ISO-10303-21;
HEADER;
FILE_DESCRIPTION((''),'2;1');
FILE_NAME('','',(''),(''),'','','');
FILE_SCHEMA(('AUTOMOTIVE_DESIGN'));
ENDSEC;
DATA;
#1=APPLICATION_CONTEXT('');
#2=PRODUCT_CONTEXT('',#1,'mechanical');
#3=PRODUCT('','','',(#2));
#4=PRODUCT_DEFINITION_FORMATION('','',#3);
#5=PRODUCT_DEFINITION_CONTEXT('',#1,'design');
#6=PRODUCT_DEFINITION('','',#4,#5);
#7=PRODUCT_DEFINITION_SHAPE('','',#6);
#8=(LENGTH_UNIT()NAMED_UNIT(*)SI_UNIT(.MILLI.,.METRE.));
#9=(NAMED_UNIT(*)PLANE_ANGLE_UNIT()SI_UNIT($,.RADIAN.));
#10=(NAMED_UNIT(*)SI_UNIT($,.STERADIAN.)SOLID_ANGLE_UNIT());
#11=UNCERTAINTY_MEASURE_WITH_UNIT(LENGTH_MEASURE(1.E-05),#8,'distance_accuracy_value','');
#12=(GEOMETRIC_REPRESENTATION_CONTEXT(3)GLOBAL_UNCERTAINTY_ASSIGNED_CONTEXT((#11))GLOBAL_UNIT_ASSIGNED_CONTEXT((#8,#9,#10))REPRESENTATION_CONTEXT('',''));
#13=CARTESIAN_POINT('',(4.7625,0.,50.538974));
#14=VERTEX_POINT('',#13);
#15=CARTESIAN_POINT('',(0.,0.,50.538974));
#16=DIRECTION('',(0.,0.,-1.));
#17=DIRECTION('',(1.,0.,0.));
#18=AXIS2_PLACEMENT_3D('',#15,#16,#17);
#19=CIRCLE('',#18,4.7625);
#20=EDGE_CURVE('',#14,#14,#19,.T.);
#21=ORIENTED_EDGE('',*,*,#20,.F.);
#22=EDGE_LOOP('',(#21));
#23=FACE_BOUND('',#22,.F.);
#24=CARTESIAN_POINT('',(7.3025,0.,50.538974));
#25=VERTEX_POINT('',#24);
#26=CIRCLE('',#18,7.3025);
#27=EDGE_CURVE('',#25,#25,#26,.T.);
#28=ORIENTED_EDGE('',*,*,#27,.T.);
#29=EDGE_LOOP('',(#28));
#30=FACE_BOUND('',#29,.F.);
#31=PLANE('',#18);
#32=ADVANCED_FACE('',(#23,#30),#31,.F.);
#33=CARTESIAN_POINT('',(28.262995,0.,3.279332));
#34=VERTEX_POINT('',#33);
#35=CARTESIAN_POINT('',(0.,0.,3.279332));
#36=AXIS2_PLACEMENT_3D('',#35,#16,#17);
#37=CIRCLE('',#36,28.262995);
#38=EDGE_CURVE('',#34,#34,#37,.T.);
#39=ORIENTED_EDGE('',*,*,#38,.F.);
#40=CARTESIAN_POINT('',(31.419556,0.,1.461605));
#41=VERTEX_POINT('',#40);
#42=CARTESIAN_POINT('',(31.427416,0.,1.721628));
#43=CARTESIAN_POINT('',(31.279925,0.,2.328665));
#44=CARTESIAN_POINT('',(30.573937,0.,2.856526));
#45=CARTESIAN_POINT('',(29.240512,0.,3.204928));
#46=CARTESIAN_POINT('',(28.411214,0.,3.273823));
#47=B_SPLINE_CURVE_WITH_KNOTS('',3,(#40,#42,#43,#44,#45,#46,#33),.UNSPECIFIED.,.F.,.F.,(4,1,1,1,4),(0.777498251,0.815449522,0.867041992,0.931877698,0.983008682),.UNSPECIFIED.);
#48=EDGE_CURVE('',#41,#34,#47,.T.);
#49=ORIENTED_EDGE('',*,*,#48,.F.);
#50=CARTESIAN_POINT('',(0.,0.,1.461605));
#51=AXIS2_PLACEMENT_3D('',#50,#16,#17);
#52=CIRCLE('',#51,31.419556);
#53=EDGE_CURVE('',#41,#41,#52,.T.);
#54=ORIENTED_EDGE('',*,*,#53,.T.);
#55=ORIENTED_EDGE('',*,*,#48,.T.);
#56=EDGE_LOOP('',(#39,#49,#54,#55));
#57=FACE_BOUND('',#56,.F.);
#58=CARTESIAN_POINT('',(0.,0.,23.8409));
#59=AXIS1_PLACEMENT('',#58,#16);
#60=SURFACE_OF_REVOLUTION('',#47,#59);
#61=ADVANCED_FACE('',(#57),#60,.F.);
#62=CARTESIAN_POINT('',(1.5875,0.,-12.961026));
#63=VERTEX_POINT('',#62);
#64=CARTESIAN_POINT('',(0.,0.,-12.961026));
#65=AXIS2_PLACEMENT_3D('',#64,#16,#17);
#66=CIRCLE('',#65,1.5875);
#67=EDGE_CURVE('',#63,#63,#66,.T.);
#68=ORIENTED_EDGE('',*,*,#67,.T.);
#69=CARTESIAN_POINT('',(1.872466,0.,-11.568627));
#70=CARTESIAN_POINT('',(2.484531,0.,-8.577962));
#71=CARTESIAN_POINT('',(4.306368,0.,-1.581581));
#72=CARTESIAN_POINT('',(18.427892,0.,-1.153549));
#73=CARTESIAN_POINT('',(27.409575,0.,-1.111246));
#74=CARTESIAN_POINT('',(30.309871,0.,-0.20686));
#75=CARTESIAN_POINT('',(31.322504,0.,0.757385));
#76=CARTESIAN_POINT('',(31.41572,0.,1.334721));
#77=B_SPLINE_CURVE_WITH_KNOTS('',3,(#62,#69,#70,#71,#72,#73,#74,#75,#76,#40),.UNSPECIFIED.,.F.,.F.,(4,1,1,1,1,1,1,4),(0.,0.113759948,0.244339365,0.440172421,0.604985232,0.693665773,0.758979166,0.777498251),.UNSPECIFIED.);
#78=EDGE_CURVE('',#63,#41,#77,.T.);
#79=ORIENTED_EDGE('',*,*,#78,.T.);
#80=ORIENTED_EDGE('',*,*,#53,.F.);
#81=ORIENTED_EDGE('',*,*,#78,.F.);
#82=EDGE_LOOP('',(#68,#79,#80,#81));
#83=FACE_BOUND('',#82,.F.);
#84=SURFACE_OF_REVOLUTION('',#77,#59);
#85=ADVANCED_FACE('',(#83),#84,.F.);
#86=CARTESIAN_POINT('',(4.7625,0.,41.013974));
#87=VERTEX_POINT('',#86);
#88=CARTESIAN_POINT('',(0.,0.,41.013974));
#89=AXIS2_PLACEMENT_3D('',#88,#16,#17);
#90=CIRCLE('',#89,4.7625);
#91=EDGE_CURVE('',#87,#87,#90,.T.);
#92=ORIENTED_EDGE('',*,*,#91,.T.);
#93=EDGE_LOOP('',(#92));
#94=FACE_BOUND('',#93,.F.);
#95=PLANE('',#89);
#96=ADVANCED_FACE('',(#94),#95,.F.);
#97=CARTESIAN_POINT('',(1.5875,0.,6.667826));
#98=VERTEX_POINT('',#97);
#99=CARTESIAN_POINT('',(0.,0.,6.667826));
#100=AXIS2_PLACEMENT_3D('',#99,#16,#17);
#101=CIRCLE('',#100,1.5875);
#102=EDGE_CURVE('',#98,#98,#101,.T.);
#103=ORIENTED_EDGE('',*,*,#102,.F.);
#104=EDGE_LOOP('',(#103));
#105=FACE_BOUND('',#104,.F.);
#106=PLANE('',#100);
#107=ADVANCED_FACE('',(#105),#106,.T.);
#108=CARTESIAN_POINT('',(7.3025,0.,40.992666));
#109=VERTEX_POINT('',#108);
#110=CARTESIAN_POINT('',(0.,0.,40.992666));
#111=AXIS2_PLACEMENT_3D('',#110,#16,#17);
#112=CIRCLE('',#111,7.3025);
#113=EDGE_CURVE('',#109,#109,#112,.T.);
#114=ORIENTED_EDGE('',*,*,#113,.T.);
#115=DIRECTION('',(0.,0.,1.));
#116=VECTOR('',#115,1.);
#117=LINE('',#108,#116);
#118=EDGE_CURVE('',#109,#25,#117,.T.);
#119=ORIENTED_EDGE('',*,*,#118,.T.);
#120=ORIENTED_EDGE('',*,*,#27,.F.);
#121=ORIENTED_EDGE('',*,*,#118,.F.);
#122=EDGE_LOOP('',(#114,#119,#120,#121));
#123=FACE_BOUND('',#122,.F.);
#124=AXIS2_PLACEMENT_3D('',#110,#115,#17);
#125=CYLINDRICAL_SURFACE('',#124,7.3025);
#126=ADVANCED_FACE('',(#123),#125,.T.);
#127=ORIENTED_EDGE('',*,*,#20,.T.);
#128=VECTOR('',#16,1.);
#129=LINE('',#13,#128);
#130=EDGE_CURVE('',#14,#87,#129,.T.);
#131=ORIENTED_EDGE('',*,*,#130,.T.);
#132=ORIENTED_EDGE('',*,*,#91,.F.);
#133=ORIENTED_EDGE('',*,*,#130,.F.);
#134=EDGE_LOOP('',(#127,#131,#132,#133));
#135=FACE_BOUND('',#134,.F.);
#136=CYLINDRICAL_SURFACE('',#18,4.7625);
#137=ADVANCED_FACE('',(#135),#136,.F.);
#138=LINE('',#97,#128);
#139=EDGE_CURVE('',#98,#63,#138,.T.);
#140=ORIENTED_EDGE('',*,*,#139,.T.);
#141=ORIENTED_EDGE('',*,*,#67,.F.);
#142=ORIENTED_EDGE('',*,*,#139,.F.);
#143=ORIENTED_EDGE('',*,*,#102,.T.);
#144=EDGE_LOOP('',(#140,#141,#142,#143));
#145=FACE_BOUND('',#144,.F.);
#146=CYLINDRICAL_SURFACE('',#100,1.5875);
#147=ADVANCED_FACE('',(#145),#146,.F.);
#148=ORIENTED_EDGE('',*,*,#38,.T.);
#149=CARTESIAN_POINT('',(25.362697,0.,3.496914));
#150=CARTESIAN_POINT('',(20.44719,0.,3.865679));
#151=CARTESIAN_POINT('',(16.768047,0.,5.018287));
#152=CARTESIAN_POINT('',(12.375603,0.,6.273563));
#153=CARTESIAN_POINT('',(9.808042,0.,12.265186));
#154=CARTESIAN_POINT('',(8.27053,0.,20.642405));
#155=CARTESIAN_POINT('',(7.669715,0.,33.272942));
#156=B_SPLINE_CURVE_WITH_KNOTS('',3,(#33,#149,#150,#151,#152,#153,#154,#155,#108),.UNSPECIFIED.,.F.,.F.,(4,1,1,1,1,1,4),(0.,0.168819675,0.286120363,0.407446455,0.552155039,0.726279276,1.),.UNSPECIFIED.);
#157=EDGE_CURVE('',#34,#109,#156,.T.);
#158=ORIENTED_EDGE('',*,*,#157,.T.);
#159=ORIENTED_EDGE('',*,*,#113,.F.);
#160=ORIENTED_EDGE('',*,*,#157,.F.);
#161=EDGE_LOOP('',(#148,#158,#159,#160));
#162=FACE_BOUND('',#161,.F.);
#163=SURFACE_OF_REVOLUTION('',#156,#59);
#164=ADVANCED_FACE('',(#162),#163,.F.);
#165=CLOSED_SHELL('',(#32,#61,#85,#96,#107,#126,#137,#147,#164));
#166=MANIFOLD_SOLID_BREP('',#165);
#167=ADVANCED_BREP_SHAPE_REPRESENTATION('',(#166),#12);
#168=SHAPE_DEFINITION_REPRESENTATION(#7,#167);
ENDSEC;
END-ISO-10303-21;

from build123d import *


with BuildPart() as f1:
    # F0 (on Front) → F1 (revolve)
    with BuildSketch(Plane.XZ):
        with BuildLine():
            Line((1.5875, 6.667825859), (1.5875, -12.9610260137))
            add(Edge.make_bspline(
                [(1.5875, -12.9610260137), (1.8724662747, -11.5686269888), (2.4845312419, -8.5779619908), (4.3063683854, -1.5815812013), (18.4278924431, -1.1535487248), (27.4095754611, -1.111245668), (30.3098711883, -0.2068596228), (31.3225043371, 0.7573851032), (31.4157204905, 1.3347212449), (31.4195560348, 1.4616048976)],
                knots=[0, 0, 0, 0, 0.1137599478, 0.2443393653, 0.4401724208, 0.6049852319, 0.6936657727, 0.7589791665, 0.7774982507, 0.7774982507, 0.7774982507, 0.7774982507], degree=3))
            add(Edge.make_bspline(
                [(31.4195560348, 1.4616048976), (31.427416239, 1.7216283354), (31.27992505, 2.3286648069), (30.573937311, 2.8565264178), (29.2405122483, 3.2049277973), (28.4112141117, 3.2738227195), (28.2629951835, 3.2793318387)],
                knots=[0.7774982507, 0.7774982507, 0.7774982507, 0.7774982507, 0.815449522, 0.8670419918, 0.9318776982, 0.9830086816, 0.9830086816, 0.9830086816, 0.9830086816], degree=3))
            add(Edge.make_bspline(
                [(28.2629951835, 3.2793318387), (25.3626970462, 3.4969143487), (20.4471896826, 3.8656793444), (16.7680467922, 5.0182870398), (12.3756029704, 6.2735634545), (9.8080422623, 12.2651864706), (8.2705298078, 20.6424053735), (7.6697151065, 33.2729418333), (7.3025, 40.9926660359)],
                knots=[0, 0, 0, 0, 0.1688196751, 0.2861203631, 0.4074464551, 0.552155039, 0.726279276, 1, 1, 1, 1], degree=3))
            Line((7.3025, 40.9926660359), (7.3025, 50.5389739863))
            Line((7.3025, 50.5389739863), (4.7625, 50.5389739863))
            Line((4.7625, 50.5389739863), (4.7625, 41.0139739863))
            Line((4.7625, 41.0139739863), (0, 41.0139739863))
            Line((0, 41.0139739863), (0, 6.667825859))
            Line((0, 6.667825859), (1.5875, 6.667825859))
        make_face()
    revolve(axis=Axis((0, 0, 23.8408999226), (0, 0, -1)))


solid = f1.part
